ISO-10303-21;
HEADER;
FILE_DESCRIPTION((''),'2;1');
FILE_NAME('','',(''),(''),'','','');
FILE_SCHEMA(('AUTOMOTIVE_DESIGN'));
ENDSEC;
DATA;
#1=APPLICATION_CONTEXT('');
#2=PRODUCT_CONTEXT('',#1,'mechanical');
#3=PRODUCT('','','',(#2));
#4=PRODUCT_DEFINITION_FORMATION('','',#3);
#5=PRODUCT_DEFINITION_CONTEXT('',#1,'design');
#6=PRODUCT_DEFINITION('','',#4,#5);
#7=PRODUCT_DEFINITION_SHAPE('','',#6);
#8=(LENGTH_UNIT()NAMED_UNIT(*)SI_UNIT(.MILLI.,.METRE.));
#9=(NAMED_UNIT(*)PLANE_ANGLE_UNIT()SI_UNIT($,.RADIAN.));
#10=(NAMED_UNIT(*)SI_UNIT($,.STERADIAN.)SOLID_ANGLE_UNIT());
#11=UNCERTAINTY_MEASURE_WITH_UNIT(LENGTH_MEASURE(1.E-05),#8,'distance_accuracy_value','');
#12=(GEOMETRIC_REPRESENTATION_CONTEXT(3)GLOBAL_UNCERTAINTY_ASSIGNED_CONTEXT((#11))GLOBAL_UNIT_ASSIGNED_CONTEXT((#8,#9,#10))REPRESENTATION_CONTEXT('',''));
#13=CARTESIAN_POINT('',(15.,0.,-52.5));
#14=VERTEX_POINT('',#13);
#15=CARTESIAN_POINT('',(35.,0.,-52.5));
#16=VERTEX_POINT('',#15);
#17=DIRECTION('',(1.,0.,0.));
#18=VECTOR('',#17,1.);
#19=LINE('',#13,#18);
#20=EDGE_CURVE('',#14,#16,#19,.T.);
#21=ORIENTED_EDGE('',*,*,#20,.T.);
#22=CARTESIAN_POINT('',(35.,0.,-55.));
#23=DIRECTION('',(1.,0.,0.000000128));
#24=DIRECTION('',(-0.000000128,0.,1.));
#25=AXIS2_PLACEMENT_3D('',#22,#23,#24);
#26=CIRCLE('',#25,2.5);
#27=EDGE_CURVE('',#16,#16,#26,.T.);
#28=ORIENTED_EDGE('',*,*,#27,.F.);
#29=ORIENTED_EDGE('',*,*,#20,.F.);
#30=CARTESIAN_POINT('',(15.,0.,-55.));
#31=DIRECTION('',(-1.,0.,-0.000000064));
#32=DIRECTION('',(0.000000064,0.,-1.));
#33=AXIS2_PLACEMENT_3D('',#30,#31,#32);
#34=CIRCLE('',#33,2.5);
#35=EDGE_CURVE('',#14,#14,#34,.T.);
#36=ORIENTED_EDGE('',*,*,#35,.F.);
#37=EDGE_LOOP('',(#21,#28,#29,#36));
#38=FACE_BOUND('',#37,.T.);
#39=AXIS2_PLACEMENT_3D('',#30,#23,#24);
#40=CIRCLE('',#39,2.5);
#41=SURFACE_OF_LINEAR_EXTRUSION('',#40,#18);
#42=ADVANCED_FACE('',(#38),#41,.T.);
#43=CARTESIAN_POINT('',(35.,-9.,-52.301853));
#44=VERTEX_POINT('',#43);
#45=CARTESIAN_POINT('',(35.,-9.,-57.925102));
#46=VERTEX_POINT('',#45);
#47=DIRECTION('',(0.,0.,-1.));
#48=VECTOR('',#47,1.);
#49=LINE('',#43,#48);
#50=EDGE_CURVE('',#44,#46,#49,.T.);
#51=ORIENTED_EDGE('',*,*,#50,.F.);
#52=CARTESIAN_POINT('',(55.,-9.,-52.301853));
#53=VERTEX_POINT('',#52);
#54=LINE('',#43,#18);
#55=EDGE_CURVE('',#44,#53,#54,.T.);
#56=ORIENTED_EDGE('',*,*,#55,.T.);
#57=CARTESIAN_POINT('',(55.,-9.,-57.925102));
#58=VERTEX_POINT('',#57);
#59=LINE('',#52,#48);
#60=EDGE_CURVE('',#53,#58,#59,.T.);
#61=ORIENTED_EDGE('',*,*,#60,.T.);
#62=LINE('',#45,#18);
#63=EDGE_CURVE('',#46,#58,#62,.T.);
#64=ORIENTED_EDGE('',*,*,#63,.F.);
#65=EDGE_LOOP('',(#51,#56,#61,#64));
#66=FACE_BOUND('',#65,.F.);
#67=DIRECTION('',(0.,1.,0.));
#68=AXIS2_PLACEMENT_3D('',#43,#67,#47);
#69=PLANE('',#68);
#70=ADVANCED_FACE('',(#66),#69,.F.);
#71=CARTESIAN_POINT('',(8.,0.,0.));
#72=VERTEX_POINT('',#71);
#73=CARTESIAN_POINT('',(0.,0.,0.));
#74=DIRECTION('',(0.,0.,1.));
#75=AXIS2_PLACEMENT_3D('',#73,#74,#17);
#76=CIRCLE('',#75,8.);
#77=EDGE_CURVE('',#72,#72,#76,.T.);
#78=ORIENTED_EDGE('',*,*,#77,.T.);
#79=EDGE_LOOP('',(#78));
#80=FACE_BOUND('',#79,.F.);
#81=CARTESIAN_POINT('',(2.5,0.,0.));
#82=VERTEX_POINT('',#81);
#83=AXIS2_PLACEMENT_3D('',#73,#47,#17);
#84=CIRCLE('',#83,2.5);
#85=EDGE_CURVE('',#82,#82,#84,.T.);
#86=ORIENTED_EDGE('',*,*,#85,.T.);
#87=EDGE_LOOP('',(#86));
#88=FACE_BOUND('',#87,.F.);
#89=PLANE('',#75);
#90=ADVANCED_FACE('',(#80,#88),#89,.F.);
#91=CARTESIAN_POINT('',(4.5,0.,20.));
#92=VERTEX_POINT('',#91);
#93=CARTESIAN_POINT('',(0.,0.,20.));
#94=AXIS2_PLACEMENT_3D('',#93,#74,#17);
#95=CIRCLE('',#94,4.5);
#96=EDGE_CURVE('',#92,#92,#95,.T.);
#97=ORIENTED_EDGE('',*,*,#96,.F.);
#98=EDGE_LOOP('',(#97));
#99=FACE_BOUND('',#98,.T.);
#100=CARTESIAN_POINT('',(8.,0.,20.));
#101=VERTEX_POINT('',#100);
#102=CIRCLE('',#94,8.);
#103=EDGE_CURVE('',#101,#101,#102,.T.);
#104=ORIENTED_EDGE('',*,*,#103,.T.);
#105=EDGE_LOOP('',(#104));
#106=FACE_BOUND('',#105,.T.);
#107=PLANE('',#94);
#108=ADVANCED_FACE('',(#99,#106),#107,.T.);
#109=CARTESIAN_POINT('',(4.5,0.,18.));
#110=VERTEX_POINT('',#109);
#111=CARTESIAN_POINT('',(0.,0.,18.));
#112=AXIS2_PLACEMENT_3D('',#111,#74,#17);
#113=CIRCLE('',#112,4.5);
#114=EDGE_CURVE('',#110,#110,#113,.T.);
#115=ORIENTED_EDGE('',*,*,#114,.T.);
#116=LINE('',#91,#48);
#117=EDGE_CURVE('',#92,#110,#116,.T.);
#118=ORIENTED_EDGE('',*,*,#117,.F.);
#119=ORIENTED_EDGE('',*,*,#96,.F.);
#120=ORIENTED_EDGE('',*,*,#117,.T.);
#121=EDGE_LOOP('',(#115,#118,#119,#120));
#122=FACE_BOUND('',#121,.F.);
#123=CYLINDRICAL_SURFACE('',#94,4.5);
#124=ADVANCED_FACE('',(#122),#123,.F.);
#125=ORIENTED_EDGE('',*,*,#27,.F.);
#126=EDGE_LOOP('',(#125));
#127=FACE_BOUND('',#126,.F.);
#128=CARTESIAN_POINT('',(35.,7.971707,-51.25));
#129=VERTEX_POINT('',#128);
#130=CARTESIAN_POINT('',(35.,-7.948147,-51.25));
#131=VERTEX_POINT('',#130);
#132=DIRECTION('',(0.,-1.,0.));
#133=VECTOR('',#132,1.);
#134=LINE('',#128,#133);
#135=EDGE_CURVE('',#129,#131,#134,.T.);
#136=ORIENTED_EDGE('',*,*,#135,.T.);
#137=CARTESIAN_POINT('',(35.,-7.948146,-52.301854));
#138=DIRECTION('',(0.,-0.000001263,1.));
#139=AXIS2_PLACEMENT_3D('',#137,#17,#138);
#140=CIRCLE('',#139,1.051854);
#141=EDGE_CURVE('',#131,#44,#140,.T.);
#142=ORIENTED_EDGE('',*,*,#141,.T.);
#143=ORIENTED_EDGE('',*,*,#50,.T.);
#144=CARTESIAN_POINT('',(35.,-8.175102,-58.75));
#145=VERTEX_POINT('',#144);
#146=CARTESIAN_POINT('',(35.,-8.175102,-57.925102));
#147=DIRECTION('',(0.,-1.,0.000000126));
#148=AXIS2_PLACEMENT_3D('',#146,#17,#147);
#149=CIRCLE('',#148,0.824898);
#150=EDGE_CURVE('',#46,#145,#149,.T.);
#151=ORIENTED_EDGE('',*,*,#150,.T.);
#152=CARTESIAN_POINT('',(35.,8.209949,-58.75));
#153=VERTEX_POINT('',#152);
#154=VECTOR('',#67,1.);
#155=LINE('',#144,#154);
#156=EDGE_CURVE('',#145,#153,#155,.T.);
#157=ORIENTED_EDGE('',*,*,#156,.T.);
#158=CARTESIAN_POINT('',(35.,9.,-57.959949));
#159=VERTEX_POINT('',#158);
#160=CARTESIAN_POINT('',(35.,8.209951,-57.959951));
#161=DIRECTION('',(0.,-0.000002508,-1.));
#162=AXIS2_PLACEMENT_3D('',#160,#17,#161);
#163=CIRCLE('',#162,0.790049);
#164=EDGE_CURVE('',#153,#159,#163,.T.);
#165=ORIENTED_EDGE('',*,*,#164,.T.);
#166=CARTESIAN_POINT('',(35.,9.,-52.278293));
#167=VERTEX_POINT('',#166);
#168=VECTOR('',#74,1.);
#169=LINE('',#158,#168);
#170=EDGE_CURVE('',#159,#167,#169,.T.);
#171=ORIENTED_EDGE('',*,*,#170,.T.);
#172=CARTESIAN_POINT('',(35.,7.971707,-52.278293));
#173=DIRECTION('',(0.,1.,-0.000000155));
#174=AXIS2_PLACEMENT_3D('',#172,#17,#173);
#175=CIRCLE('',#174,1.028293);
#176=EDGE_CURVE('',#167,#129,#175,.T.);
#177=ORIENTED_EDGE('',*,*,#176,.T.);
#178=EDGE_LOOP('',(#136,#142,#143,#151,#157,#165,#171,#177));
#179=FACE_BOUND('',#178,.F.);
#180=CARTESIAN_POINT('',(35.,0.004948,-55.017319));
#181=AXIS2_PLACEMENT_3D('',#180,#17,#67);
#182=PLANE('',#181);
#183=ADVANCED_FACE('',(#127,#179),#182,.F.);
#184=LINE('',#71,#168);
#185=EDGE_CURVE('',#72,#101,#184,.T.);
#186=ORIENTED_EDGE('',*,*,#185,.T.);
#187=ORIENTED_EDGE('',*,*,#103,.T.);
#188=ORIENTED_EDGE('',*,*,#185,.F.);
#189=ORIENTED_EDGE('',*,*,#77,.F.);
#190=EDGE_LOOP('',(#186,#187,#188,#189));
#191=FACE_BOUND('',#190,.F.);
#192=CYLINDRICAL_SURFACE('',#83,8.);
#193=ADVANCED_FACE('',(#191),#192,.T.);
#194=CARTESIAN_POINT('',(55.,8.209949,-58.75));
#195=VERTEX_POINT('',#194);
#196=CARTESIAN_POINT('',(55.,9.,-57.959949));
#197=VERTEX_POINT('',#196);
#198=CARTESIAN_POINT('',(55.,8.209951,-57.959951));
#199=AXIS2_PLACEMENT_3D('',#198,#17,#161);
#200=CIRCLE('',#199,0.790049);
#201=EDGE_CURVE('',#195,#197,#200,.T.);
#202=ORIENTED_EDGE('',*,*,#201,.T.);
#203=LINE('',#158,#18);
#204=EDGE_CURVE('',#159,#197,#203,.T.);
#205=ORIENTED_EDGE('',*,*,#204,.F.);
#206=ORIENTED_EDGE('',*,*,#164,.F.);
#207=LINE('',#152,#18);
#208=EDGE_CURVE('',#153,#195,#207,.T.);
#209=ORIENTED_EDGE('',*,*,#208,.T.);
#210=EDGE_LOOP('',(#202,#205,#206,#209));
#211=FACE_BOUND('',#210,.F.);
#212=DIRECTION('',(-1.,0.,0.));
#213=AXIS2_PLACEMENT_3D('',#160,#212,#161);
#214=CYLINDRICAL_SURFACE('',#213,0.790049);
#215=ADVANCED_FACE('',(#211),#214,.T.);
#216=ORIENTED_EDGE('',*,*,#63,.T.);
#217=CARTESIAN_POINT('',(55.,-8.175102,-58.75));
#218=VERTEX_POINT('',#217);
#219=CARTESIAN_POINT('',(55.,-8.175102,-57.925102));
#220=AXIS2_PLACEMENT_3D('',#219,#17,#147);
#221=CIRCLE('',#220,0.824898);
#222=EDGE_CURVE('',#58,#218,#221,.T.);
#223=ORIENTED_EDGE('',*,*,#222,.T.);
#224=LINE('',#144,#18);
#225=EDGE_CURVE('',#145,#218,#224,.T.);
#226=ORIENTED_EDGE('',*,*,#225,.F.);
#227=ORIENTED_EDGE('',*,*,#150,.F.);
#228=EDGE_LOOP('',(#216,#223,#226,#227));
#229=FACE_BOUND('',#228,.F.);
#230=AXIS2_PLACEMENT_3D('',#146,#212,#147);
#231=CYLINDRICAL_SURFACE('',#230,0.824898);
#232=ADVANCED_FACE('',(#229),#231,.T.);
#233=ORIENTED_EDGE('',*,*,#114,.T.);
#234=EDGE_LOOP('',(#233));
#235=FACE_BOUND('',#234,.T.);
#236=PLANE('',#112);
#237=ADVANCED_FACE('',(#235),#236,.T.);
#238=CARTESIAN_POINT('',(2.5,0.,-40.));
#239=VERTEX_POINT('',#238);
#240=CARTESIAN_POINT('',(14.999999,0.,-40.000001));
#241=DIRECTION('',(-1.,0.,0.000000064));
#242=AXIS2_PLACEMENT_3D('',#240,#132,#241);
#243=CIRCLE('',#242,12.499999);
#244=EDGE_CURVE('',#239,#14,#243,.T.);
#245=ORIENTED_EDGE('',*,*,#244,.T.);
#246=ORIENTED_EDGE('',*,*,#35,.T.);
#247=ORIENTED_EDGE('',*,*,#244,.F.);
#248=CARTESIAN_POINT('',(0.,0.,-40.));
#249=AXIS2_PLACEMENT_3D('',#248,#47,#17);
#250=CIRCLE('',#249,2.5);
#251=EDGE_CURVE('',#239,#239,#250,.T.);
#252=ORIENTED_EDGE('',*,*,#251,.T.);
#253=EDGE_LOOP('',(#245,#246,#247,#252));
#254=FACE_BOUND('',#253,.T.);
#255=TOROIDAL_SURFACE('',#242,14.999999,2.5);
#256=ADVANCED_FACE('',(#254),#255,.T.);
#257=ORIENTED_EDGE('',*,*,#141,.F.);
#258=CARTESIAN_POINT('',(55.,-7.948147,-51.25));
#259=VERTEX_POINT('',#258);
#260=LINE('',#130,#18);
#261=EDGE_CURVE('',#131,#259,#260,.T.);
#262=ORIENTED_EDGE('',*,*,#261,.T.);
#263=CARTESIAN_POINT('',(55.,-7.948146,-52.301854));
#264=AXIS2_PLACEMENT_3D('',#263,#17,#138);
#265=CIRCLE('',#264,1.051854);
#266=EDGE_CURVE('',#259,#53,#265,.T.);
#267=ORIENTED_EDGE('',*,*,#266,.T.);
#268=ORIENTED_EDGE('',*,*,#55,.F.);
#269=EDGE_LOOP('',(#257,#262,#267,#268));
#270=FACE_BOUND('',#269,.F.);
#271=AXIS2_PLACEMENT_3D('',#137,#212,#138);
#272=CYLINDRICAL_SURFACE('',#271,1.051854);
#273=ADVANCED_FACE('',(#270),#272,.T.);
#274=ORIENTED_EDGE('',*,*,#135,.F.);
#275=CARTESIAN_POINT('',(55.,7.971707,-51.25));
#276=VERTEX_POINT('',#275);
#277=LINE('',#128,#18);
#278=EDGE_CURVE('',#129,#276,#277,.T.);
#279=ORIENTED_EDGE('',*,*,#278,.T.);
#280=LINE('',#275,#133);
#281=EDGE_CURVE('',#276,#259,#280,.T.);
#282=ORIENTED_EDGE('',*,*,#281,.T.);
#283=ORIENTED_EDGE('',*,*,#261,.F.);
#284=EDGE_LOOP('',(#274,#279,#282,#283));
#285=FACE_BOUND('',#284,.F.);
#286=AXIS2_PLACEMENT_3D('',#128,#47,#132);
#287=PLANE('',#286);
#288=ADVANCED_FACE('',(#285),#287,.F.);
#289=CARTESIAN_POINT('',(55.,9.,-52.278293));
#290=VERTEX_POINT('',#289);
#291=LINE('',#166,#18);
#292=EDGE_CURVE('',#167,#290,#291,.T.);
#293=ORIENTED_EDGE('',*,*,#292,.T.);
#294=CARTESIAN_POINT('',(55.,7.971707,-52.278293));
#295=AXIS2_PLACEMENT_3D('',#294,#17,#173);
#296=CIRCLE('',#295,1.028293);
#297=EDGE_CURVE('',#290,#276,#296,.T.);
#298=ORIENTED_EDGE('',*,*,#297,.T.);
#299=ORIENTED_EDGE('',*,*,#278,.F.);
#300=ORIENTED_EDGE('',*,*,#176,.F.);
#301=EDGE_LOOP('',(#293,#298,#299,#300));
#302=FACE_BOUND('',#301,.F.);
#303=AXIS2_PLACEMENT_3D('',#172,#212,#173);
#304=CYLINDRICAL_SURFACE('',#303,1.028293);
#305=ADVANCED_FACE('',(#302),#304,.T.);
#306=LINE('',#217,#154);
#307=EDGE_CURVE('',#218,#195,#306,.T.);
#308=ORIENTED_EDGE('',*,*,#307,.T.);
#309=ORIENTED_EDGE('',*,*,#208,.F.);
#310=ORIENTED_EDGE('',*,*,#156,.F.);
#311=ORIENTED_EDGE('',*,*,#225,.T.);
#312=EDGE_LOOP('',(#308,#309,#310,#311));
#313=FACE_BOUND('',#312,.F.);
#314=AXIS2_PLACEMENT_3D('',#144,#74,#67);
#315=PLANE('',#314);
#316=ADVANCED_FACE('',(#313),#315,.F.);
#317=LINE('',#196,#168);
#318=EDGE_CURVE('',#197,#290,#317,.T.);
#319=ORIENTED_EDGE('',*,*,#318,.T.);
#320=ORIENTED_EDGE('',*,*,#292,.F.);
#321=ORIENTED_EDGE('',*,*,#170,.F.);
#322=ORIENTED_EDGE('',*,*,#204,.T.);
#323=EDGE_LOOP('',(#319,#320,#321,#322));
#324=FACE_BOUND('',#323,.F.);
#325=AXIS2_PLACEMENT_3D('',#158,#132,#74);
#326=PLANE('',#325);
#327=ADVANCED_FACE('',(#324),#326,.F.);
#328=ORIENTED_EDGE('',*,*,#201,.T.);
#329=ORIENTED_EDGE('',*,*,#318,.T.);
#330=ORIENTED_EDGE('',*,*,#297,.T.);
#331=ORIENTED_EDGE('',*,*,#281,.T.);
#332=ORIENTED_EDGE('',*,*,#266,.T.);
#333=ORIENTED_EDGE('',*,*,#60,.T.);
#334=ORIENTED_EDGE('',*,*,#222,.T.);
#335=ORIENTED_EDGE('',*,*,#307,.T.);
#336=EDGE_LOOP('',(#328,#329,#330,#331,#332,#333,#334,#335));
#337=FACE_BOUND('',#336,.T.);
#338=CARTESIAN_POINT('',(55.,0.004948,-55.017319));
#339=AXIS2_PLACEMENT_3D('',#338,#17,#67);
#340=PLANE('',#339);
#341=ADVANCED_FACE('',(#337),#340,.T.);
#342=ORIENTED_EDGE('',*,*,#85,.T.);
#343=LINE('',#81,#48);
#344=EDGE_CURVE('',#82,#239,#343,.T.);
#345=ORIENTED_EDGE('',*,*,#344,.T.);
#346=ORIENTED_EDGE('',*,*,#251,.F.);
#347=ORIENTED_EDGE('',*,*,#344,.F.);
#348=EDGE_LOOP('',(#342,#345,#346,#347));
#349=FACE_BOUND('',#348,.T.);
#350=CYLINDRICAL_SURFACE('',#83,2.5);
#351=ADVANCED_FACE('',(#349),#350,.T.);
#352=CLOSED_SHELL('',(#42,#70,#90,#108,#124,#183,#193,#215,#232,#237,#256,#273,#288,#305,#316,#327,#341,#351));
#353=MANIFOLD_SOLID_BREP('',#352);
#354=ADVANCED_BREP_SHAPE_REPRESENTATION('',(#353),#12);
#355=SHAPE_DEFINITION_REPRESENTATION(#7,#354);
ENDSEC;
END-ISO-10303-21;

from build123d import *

# Parameters (mm, degrees)
SKETCH_R     = 8
PAD_DEPTH    = 20
SKETCH002_R  = 2.5
SKETCH003_R  = 4.5
POCKET_DEPTH = 2
PAD001_DEPTH = 20


with BuildPart() as part:
    # Sketch → Pad (new body)
    with BuildSketch(Plane.XY):
        Circle(SKETCH_R)
    extrude(amount=PAD_DEPTH)

    # AdditivePipe: sweep along a path in Sketch001
    with BuildLine(Plane.XZ) as additivepipe_path:
        Line((0, 0), (0, -40))
        ThreePointArc((0, -40), (4.393398, -50.606602), (15, -55))
        Line((15, -55), (35, -55))
    # Sketch002 (on Face2 of Pad) → AdditivePipe (sweep)
    with BuildSketch(Plane(origin=(0, 0, 0), x_dir=(1, 0, 0), z_dir=(0, 0, -1))):
        Circle(SKETCH002_R)
    sweep(path=additivepipe_path.line)

    # Sketch003 (on Face3 of AdditivePipe) → Pocket (cut)
    with BuildSketch(Plane.XY.offset(20)):
        Circle(SKETCH003_R)
    extrude(amount=-POCKET_DEPTH, mode=Mode.SUBTRACT)

    # Sketch004 (on Face9 of Pocket) → Pad001 (join)
    with BuildSketch(Plane.YZ.offset(35)):
        with BuildLine():
            Line((-9, -52.301853), (-9, -57.925102))
            ThreePointArc((-9, -57.925102), (-8.758393, -58.508393), (-8.175102, -58.75))
            Line((-8.175102, -58.75), (8.209949, -58.75))
            ThreePointArc((8.209949, -58.75), (8.7686, -58.5186), (9, -57.959949))
            Line((9, -57.959949), (9, -52.278293))
            ThreePointArc((9, -52.278293), (8.69882, -51.55118), (7.971707, -51.25))
            Line((7.971707, -51.25), (-7.948147, -51.25))
            ThreePointArc((-7.948147, -51.25), (-8.691919, -51.558081), (-9, -52.301853))
        make_face()
    extrude(amount=PAD001_DEPTH)


solid = part.part
